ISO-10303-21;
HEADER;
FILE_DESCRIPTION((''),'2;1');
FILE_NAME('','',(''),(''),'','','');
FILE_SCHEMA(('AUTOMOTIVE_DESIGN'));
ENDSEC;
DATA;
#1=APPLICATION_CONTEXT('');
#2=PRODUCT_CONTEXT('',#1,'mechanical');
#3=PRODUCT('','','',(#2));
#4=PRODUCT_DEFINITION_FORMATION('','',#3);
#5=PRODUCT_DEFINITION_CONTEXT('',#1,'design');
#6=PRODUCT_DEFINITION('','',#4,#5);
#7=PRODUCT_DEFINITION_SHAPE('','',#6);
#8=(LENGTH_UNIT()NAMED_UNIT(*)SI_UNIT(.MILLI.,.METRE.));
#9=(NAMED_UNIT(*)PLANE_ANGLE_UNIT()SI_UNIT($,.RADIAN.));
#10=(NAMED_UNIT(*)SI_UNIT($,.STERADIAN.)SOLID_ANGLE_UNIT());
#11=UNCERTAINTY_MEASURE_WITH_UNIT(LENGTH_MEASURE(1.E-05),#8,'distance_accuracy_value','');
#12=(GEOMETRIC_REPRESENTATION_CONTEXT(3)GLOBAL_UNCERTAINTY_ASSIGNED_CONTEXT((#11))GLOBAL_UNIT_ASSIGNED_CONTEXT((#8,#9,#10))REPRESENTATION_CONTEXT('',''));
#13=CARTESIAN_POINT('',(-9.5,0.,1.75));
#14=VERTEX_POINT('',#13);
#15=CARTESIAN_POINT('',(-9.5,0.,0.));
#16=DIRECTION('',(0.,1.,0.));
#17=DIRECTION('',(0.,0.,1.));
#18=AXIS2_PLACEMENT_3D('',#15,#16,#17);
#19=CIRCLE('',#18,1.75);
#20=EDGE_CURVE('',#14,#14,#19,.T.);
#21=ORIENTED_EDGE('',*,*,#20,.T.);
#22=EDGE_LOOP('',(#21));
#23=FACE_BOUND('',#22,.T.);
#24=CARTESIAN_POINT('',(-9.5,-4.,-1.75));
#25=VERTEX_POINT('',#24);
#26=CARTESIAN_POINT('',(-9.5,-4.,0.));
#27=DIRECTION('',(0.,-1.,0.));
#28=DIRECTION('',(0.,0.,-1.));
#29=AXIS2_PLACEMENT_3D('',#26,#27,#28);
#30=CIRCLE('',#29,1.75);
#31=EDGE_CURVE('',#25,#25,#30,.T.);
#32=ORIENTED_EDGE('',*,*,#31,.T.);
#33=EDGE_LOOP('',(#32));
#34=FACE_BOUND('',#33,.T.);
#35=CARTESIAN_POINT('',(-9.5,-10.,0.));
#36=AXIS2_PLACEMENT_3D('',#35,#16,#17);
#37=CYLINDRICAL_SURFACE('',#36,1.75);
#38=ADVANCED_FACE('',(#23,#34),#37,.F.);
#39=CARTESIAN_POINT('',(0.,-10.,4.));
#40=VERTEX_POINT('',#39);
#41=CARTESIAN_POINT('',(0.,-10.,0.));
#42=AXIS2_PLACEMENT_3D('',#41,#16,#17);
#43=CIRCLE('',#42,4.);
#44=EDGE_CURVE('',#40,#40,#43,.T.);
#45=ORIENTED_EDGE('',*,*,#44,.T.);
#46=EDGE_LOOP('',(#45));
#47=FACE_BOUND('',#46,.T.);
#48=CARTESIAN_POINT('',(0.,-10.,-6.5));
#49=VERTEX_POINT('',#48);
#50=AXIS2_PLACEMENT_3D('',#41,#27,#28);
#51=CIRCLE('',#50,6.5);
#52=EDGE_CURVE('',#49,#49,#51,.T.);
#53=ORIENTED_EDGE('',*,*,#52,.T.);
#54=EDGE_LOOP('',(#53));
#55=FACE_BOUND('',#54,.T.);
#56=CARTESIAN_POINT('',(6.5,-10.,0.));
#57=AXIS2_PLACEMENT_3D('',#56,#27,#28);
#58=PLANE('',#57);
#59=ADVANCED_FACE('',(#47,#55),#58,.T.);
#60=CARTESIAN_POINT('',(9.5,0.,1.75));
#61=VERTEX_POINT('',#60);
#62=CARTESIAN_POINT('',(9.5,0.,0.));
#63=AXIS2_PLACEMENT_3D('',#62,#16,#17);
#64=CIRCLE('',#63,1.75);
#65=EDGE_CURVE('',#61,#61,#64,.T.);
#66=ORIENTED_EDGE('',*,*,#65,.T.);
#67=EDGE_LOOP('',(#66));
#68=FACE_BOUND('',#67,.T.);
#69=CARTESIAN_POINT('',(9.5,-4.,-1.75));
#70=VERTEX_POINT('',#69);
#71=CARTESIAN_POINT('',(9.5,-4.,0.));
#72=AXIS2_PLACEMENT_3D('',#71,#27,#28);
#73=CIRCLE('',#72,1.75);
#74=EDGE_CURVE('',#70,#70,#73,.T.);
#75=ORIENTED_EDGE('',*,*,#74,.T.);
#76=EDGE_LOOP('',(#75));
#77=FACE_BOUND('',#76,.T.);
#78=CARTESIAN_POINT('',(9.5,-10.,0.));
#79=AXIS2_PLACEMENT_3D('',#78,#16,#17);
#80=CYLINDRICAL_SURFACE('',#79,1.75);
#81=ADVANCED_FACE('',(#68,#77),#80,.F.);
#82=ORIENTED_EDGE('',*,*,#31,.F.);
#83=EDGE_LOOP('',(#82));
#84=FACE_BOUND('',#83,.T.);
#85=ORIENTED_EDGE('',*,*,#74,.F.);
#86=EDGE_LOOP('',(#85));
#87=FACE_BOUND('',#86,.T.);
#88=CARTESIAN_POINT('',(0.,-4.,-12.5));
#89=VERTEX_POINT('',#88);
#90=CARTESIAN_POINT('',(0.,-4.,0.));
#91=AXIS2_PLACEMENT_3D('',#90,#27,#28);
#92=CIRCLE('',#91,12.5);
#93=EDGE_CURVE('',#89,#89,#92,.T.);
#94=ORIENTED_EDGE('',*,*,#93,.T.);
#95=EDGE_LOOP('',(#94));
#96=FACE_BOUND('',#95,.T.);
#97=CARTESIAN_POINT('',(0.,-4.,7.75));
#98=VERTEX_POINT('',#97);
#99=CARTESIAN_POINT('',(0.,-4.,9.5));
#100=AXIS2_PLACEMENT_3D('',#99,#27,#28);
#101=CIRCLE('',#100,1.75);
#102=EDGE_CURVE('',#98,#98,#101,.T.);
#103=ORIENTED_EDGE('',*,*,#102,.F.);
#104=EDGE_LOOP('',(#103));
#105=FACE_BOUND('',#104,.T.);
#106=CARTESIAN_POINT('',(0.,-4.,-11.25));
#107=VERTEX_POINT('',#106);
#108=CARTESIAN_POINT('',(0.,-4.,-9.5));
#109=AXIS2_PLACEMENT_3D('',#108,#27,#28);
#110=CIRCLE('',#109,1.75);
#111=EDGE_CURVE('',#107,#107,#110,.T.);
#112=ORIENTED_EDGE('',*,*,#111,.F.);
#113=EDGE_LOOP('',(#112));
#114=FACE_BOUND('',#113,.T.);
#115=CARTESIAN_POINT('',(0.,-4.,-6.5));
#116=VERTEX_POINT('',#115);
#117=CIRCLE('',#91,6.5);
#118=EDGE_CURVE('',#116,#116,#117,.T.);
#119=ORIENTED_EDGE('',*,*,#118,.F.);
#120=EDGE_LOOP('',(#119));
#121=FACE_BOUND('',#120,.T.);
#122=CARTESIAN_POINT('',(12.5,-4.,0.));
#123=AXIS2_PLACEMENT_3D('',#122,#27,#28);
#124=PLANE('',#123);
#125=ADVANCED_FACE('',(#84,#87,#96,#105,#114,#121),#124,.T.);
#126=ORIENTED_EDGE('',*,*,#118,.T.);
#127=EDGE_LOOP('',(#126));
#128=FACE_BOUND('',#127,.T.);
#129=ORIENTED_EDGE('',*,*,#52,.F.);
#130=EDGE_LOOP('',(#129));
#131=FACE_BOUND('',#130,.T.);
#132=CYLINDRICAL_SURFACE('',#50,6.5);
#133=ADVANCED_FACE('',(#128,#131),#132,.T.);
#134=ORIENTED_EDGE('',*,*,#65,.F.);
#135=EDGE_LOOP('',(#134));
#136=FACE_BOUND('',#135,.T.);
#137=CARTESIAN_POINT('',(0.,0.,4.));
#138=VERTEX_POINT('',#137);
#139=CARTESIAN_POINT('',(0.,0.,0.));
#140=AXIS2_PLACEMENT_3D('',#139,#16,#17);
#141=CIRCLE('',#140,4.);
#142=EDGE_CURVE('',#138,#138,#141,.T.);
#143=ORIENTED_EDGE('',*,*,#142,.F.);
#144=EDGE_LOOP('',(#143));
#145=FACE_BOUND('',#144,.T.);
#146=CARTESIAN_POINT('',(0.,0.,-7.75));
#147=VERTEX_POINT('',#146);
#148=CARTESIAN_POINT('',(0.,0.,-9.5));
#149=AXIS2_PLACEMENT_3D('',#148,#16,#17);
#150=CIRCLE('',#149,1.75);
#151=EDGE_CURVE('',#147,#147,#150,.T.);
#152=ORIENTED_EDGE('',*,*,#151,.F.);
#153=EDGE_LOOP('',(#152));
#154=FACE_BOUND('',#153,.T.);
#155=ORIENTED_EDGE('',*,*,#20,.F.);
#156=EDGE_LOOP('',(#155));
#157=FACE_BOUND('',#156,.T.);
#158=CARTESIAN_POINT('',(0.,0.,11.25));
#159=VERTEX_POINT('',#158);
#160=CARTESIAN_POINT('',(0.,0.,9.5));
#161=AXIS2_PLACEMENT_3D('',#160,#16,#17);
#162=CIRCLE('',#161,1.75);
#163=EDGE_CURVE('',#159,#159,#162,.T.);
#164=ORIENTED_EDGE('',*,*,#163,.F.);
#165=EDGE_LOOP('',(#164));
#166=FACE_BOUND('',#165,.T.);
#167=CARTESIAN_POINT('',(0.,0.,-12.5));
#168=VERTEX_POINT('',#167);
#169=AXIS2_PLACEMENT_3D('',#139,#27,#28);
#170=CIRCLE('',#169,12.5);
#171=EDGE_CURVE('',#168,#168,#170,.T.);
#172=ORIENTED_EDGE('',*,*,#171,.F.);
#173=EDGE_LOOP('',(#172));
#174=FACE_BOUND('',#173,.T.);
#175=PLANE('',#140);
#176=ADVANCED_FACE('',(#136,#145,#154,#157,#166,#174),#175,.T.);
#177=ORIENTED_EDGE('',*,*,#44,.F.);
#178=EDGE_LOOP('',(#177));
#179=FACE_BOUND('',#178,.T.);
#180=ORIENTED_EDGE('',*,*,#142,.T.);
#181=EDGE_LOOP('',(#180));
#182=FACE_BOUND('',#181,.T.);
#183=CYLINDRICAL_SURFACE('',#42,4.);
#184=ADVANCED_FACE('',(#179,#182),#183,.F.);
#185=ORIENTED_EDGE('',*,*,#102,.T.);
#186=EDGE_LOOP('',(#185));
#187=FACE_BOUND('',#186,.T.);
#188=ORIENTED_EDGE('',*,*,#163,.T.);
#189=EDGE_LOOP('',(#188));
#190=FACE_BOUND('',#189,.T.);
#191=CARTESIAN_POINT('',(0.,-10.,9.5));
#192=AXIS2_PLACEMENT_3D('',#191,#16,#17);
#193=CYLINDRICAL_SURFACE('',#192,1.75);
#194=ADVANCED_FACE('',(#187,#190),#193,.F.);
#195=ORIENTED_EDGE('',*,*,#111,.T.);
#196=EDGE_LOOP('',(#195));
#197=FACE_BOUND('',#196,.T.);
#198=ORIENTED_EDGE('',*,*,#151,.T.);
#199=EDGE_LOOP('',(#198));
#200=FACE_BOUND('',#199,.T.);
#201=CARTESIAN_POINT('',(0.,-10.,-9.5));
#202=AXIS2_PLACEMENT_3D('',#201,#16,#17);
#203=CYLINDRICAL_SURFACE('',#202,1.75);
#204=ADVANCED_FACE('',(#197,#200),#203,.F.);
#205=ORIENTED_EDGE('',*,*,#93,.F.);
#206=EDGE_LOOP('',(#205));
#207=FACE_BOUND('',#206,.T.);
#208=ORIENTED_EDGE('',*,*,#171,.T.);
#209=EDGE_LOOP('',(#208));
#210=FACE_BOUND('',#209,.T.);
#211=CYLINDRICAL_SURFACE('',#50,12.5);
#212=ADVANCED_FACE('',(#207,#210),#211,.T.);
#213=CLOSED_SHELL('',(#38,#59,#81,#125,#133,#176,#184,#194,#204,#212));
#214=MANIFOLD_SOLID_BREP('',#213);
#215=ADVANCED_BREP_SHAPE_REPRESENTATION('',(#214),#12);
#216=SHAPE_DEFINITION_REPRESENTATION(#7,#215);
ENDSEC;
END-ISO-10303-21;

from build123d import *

# Parameters (mm, degrees)
SKETCH2_R          = 4
SKETCH2_R_2        = 1.75
CUT_EXTRUDE1_DEPTH = 21.310096012


with BuildPart() as part:
    # Sketch1 → Revolve1 (revolve)
    with BuildSketch(Plane.XY, mode=Mode.PRIVATE) as revolve1_sk:
        Polygon((0, 0), (12.5, 0), (12.5, -4), (6.5, -4), (6.5, -10), (0, -10), align=None)
    revolve(revolve1_sk.sketch.rotate(Axis((0, -10, 0), (0, 1, 0)), 90), axis=Axis((0, -10, 0), (0, 1, 0)))

    # Sketch2 → Cut-Extrude1 (cut, through all)
    with BuildSketch(Plane(origin=(0, 0, 0), x_dir=(1, 0, 0), z_dir=(0, 1, 0))):
        with Locations(Location((0, 0, 0), (0, 0, 270))):
            Circle(SKETCH2_R)
        with Locations(Location((0, 9.5, 0), (0, 0, 270))):
            Circle(SKETCH2_R_2)
        with Locations(Location((9.5, 0, 0), (0, 0, 270))):
            Circle(SKETCH2_R_2)
        with Locations(Location((0, -9.5, 0), (0, 0, 270))):
            Circle(SKETCH2_R_2)
        with Locations(Location((-9.5, 0, 0), (0, 0, 270))):
            Circle(SKETCH2_R_2)
    extrude(amount=-CUT_EXTRUDE1_DEPTH, mode=Mode.SUBTRACT)


solid = part.part
